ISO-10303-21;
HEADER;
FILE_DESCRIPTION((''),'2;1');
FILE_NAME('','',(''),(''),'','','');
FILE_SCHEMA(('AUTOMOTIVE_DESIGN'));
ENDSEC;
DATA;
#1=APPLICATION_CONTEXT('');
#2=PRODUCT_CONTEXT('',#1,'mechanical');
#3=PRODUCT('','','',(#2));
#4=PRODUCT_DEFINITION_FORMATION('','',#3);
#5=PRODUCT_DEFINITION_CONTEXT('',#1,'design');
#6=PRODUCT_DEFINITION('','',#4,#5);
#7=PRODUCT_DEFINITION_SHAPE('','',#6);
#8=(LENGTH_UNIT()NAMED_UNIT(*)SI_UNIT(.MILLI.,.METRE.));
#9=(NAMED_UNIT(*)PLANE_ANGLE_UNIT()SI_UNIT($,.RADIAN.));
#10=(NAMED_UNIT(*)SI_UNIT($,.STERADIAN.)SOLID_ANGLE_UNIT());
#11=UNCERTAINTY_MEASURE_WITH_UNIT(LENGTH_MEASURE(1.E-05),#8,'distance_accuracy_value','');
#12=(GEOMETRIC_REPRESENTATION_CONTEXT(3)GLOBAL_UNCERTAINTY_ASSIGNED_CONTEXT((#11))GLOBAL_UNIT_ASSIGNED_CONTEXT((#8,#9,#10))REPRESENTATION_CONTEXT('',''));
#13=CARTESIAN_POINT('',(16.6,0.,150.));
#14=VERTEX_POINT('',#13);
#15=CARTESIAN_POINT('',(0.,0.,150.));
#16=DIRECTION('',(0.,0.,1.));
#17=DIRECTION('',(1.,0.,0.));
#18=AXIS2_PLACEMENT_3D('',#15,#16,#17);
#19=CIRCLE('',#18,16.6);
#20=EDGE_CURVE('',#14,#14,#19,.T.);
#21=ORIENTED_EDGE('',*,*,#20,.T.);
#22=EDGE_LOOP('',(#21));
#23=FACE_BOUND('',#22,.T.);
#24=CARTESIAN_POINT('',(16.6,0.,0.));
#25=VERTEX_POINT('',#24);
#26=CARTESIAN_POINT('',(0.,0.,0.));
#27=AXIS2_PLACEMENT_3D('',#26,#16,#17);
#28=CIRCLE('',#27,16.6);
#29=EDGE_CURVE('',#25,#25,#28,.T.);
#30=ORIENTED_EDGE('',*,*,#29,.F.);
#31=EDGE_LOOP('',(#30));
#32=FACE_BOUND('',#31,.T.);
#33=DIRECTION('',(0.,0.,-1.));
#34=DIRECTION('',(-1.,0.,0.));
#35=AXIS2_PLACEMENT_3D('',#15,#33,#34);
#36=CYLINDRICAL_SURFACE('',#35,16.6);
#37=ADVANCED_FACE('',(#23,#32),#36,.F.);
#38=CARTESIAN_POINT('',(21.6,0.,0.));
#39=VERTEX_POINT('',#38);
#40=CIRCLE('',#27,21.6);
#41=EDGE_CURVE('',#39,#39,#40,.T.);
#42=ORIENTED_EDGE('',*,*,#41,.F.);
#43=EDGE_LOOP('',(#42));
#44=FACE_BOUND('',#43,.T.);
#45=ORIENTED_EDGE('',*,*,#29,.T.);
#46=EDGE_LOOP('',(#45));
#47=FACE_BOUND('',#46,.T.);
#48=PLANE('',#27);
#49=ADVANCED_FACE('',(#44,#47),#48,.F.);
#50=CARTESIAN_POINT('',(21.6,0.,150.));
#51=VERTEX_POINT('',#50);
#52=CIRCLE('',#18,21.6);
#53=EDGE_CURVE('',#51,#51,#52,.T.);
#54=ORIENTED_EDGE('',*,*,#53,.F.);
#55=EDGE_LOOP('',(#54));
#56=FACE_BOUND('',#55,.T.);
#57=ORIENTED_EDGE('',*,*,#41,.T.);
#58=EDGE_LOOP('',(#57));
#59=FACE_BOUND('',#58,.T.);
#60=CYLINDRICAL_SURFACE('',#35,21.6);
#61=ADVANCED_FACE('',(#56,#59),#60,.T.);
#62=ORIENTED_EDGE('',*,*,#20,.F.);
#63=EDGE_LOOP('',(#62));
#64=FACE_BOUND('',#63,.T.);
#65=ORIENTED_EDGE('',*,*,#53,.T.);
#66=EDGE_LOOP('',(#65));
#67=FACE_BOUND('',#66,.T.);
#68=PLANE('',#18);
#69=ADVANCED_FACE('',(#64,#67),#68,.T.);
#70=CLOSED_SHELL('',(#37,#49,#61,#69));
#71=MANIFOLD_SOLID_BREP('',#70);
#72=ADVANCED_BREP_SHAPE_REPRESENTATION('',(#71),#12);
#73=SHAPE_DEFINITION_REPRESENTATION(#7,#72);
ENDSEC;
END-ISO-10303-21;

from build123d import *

# Parameters (mm, degrees)
CROQUIS1_R              = 21.6
CROQUIS1_R_2            = 16.6
SALIENTE_EXTRUIR1_DEPTH = 150


with BuildPart() as part:
    # Croquis1 → Saliente-Extruir1 (new body)
    with BuildSketch(Plane.XY):
        Circle(CROQUIS1_R)
        Circle(CROQUIS1_R_2, mode=Mode.SUBTRACT)
    extrude(amount=SALIENTE_EXTRUIR1_DEPTH)


solid = part.part
